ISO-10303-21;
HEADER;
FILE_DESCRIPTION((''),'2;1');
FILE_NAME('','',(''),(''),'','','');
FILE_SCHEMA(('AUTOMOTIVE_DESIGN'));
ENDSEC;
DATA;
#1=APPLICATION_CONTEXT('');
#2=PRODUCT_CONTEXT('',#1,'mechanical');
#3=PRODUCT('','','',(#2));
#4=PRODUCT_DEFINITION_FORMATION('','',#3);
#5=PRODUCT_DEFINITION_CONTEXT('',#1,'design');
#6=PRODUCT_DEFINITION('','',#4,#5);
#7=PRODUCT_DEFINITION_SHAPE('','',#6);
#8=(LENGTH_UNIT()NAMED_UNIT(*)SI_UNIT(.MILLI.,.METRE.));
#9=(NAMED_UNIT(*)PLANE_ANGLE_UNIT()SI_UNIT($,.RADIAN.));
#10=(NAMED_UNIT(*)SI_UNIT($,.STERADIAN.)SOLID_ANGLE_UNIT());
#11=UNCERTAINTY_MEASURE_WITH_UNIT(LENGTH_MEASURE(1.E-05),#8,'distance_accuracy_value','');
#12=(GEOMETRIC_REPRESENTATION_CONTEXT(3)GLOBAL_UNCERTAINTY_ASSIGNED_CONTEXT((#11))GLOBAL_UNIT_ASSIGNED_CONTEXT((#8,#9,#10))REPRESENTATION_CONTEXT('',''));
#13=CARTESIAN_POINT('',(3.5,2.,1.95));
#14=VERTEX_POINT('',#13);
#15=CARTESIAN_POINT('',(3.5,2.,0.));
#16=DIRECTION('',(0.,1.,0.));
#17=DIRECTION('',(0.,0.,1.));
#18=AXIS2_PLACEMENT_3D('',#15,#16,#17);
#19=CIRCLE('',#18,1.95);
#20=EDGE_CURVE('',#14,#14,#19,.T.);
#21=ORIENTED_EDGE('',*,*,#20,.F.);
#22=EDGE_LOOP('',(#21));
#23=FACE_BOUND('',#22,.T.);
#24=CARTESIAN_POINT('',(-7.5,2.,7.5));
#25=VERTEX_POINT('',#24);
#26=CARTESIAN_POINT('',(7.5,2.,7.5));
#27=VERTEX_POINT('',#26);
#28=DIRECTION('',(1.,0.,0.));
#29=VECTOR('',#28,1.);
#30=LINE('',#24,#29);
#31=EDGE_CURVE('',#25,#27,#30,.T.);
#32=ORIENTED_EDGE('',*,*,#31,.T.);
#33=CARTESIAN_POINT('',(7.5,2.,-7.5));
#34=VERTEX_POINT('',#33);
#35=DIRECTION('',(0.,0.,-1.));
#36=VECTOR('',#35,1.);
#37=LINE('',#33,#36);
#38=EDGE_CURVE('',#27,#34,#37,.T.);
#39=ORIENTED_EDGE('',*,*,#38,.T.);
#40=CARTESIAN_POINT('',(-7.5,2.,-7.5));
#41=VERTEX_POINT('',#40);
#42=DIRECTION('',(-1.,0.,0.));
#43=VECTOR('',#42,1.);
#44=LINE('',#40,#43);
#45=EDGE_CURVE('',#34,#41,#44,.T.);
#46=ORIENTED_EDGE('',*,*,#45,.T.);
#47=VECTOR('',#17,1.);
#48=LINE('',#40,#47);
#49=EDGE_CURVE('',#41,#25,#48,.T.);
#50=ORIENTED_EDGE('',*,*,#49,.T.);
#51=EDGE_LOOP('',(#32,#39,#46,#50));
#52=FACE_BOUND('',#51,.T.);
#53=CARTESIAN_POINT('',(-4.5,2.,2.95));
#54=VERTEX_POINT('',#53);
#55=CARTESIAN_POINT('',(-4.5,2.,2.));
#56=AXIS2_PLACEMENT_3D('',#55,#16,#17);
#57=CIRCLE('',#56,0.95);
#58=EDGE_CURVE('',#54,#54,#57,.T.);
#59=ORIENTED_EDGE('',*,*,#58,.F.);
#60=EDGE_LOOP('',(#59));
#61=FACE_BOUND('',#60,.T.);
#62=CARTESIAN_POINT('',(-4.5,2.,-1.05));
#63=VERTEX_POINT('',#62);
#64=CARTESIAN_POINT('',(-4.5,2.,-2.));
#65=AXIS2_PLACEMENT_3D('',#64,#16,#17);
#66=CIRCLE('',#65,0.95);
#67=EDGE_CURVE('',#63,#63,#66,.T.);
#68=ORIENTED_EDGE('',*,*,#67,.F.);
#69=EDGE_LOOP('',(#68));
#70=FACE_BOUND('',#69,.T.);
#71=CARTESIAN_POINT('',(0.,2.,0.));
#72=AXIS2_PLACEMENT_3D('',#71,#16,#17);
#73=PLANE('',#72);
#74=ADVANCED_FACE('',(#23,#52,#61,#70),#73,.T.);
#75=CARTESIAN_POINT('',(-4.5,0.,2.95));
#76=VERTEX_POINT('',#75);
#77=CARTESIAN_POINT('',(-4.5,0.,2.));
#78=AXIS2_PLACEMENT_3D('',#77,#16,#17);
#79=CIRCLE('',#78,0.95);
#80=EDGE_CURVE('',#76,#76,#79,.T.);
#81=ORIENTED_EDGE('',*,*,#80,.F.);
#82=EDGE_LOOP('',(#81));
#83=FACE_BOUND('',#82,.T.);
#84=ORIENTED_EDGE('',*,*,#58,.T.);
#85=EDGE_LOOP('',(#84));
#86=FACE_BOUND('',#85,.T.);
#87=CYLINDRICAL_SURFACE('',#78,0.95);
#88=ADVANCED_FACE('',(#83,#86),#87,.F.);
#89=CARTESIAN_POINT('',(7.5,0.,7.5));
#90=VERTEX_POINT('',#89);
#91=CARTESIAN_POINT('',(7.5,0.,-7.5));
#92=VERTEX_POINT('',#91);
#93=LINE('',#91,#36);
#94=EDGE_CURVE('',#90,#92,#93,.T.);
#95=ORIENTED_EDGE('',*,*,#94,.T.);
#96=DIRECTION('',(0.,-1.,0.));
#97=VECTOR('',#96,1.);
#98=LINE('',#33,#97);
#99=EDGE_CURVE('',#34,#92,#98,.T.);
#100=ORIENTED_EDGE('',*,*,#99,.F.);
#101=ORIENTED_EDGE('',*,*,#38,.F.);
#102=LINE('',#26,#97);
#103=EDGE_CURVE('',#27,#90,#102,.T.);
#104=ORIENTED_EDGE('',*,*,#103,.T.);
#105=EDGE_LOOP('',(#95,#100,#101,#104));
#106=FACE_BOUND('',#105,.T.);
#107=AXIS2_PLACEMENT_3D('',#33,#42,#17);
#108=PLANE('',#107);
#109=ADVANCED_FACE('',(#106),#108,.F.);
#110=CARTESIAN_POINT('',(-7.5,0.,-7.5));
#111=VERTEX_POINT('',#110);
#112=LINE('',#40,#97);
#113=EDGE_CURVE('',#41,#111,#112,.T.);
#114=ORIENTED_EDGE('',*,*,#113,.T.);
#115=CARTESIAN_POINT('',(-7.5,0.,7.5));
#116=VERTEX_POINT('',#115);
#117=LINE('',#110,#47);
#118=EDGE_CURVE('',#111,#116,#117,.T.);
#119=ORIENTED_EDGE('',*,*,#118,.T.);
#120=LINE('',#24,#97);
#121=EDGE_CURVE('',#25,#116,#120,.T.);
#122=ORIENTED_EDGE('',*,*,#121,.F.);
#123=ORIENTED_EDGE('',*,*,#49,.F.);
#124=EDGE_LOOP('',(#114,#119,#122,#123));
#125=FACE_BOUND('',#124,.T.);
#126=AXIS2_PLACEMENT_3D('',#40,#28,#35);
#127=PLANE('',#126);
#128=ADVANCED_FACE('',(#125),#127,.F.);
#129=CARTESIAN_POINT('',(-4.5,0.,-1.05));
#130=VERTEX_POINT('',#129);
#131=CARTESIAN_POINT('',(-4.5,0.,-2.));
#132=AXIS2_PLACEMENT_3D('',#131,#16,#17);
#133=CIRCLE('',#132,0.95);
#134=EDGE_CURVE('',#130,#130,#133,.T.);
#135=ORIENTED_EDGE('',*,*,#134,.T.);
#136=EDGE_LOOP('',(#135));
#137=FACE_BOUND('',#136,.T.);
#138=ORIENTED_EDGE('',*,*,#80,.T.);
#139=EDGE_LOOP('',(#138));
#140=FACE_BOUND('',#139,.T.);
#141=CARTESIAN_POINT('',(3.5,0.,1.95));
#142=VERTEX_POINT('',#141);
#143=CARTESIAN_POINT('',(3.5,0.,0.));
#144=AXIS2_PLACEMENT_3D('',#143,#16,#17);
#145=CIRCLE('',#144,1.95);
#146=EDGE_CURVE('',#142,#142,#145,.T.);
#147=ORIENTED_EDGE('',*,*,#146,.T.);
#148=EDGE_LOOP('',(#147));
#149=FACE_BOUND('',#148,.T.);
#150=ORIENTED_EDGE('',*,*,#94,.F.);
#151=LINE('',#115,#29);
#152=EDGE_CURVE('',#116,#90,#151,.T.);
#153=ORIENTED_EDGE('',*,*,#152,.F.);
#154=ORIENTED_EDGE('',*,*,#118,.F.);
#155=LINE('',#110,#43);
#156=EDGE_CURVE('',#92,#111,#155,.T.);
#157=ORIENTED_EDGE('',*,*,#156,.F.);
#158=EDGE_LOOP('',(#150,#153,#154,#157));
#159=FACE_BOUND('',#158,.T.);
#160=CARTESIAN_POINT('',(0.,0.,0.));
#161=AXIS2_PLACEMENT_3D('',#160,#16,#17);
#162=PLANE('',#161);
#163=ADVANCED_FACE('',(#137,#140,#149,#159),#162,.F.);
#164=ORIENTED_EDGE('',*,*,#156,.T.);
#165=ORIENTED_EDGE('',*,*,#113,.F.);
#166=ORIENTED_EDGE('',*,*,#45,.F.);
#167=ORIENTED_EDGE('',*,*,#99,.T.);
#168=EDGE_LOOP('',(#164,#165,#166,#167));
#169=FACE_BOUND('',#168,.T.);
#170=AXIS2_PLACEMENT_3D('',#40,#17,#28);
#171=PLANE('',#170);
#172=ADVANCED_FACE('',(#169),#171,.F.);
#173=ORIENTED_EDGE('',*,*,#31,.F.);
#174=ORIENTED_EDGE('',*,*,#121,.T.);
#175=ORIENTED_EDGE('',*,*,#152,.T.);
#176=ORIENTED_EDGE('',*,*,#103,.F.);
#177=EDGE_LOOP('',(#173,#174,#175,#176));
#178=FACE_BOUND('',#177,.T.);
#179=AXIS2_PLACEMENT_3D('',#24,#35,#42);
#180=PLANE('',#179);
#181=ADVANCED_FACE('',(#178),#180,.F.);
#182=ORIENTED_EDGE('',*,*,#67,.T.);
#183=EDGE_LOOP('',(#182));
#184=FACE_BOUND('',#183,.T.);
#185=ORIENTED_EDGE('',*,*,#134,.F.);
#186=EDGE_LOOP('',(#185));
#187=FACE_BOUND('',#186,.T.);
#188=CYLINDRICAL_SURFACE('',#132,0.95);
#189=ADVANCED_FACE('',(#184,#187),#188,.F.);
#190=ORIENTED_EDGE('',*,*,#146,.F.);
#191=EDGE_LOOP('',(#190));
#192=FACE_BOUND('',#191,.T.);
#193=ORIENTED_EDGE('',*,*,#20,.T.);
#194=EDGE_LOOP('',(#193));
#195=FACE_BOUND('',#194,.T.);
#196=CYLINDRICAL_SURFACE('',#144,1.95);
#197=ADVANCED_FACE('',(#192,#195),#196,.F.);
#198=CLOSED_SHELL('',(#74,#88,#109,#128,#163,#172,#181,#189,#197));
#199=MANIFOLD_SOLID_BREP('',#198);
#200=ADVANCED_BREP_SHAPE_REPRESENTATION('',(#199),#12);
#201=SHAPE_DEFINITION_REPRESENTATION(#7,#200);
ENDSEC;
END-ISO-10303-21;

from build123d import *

# Parameters (mm, degrees)
SKETCH2_W           = 15
SKETCH2_H           = 15
BOSS_EXTRUDE1_DEPTH = 2
SKETCH3_R           = 0.95
CUT_EXTRUDE1_DEPTH  = 2
SKETCH4_R           = 1.95
CUT_EXTRUDE2_DEPTH  = 2


with BuildPart() as part:
    # Sketch2 → Boss-Extrude1 (new body)
    with BuildSketch(Plane(origin=(0, 0, 0), x_dir=(1, 0, 0), z_dir=(0, 1, 0))):
        Rectangle(SKETCH2_W, SKETCH2_H)
    extrude(amount=BOSS_EXTRUDE1_DEPTH)

    # Sketch3 → Cut-Extrude1 (cut)
    with BuildSketch(Plane(origin=(0, 2, 0), x_dir=(1, 0, 0), z_dir=(0, 1, 0))):
        with Locations((-4.5, -2)):
            Circle(SKETCH3_R)
        with Locations((-4.5, 2)):
            Circle(SKETCH3_R)
    extrude(amount=-CUT_EXTRUDE1_DEPTH, mode=Mode.SUBTRACT)

    # Sketch4 → Cut-Extrude2 (cut)
    with BuildSketch(Plane(origin=(0, 2, 0), x_dir=(1, 0, 0), z_dir=(0, 1, 0))):
        with Locations((3.5, 0)):
            Circle(SKETCH4_R)
    extrude(amount=-CUT_EXTRUDE2_DEPTH, mode=Mode.SUBTRACT)


solid = part.part
